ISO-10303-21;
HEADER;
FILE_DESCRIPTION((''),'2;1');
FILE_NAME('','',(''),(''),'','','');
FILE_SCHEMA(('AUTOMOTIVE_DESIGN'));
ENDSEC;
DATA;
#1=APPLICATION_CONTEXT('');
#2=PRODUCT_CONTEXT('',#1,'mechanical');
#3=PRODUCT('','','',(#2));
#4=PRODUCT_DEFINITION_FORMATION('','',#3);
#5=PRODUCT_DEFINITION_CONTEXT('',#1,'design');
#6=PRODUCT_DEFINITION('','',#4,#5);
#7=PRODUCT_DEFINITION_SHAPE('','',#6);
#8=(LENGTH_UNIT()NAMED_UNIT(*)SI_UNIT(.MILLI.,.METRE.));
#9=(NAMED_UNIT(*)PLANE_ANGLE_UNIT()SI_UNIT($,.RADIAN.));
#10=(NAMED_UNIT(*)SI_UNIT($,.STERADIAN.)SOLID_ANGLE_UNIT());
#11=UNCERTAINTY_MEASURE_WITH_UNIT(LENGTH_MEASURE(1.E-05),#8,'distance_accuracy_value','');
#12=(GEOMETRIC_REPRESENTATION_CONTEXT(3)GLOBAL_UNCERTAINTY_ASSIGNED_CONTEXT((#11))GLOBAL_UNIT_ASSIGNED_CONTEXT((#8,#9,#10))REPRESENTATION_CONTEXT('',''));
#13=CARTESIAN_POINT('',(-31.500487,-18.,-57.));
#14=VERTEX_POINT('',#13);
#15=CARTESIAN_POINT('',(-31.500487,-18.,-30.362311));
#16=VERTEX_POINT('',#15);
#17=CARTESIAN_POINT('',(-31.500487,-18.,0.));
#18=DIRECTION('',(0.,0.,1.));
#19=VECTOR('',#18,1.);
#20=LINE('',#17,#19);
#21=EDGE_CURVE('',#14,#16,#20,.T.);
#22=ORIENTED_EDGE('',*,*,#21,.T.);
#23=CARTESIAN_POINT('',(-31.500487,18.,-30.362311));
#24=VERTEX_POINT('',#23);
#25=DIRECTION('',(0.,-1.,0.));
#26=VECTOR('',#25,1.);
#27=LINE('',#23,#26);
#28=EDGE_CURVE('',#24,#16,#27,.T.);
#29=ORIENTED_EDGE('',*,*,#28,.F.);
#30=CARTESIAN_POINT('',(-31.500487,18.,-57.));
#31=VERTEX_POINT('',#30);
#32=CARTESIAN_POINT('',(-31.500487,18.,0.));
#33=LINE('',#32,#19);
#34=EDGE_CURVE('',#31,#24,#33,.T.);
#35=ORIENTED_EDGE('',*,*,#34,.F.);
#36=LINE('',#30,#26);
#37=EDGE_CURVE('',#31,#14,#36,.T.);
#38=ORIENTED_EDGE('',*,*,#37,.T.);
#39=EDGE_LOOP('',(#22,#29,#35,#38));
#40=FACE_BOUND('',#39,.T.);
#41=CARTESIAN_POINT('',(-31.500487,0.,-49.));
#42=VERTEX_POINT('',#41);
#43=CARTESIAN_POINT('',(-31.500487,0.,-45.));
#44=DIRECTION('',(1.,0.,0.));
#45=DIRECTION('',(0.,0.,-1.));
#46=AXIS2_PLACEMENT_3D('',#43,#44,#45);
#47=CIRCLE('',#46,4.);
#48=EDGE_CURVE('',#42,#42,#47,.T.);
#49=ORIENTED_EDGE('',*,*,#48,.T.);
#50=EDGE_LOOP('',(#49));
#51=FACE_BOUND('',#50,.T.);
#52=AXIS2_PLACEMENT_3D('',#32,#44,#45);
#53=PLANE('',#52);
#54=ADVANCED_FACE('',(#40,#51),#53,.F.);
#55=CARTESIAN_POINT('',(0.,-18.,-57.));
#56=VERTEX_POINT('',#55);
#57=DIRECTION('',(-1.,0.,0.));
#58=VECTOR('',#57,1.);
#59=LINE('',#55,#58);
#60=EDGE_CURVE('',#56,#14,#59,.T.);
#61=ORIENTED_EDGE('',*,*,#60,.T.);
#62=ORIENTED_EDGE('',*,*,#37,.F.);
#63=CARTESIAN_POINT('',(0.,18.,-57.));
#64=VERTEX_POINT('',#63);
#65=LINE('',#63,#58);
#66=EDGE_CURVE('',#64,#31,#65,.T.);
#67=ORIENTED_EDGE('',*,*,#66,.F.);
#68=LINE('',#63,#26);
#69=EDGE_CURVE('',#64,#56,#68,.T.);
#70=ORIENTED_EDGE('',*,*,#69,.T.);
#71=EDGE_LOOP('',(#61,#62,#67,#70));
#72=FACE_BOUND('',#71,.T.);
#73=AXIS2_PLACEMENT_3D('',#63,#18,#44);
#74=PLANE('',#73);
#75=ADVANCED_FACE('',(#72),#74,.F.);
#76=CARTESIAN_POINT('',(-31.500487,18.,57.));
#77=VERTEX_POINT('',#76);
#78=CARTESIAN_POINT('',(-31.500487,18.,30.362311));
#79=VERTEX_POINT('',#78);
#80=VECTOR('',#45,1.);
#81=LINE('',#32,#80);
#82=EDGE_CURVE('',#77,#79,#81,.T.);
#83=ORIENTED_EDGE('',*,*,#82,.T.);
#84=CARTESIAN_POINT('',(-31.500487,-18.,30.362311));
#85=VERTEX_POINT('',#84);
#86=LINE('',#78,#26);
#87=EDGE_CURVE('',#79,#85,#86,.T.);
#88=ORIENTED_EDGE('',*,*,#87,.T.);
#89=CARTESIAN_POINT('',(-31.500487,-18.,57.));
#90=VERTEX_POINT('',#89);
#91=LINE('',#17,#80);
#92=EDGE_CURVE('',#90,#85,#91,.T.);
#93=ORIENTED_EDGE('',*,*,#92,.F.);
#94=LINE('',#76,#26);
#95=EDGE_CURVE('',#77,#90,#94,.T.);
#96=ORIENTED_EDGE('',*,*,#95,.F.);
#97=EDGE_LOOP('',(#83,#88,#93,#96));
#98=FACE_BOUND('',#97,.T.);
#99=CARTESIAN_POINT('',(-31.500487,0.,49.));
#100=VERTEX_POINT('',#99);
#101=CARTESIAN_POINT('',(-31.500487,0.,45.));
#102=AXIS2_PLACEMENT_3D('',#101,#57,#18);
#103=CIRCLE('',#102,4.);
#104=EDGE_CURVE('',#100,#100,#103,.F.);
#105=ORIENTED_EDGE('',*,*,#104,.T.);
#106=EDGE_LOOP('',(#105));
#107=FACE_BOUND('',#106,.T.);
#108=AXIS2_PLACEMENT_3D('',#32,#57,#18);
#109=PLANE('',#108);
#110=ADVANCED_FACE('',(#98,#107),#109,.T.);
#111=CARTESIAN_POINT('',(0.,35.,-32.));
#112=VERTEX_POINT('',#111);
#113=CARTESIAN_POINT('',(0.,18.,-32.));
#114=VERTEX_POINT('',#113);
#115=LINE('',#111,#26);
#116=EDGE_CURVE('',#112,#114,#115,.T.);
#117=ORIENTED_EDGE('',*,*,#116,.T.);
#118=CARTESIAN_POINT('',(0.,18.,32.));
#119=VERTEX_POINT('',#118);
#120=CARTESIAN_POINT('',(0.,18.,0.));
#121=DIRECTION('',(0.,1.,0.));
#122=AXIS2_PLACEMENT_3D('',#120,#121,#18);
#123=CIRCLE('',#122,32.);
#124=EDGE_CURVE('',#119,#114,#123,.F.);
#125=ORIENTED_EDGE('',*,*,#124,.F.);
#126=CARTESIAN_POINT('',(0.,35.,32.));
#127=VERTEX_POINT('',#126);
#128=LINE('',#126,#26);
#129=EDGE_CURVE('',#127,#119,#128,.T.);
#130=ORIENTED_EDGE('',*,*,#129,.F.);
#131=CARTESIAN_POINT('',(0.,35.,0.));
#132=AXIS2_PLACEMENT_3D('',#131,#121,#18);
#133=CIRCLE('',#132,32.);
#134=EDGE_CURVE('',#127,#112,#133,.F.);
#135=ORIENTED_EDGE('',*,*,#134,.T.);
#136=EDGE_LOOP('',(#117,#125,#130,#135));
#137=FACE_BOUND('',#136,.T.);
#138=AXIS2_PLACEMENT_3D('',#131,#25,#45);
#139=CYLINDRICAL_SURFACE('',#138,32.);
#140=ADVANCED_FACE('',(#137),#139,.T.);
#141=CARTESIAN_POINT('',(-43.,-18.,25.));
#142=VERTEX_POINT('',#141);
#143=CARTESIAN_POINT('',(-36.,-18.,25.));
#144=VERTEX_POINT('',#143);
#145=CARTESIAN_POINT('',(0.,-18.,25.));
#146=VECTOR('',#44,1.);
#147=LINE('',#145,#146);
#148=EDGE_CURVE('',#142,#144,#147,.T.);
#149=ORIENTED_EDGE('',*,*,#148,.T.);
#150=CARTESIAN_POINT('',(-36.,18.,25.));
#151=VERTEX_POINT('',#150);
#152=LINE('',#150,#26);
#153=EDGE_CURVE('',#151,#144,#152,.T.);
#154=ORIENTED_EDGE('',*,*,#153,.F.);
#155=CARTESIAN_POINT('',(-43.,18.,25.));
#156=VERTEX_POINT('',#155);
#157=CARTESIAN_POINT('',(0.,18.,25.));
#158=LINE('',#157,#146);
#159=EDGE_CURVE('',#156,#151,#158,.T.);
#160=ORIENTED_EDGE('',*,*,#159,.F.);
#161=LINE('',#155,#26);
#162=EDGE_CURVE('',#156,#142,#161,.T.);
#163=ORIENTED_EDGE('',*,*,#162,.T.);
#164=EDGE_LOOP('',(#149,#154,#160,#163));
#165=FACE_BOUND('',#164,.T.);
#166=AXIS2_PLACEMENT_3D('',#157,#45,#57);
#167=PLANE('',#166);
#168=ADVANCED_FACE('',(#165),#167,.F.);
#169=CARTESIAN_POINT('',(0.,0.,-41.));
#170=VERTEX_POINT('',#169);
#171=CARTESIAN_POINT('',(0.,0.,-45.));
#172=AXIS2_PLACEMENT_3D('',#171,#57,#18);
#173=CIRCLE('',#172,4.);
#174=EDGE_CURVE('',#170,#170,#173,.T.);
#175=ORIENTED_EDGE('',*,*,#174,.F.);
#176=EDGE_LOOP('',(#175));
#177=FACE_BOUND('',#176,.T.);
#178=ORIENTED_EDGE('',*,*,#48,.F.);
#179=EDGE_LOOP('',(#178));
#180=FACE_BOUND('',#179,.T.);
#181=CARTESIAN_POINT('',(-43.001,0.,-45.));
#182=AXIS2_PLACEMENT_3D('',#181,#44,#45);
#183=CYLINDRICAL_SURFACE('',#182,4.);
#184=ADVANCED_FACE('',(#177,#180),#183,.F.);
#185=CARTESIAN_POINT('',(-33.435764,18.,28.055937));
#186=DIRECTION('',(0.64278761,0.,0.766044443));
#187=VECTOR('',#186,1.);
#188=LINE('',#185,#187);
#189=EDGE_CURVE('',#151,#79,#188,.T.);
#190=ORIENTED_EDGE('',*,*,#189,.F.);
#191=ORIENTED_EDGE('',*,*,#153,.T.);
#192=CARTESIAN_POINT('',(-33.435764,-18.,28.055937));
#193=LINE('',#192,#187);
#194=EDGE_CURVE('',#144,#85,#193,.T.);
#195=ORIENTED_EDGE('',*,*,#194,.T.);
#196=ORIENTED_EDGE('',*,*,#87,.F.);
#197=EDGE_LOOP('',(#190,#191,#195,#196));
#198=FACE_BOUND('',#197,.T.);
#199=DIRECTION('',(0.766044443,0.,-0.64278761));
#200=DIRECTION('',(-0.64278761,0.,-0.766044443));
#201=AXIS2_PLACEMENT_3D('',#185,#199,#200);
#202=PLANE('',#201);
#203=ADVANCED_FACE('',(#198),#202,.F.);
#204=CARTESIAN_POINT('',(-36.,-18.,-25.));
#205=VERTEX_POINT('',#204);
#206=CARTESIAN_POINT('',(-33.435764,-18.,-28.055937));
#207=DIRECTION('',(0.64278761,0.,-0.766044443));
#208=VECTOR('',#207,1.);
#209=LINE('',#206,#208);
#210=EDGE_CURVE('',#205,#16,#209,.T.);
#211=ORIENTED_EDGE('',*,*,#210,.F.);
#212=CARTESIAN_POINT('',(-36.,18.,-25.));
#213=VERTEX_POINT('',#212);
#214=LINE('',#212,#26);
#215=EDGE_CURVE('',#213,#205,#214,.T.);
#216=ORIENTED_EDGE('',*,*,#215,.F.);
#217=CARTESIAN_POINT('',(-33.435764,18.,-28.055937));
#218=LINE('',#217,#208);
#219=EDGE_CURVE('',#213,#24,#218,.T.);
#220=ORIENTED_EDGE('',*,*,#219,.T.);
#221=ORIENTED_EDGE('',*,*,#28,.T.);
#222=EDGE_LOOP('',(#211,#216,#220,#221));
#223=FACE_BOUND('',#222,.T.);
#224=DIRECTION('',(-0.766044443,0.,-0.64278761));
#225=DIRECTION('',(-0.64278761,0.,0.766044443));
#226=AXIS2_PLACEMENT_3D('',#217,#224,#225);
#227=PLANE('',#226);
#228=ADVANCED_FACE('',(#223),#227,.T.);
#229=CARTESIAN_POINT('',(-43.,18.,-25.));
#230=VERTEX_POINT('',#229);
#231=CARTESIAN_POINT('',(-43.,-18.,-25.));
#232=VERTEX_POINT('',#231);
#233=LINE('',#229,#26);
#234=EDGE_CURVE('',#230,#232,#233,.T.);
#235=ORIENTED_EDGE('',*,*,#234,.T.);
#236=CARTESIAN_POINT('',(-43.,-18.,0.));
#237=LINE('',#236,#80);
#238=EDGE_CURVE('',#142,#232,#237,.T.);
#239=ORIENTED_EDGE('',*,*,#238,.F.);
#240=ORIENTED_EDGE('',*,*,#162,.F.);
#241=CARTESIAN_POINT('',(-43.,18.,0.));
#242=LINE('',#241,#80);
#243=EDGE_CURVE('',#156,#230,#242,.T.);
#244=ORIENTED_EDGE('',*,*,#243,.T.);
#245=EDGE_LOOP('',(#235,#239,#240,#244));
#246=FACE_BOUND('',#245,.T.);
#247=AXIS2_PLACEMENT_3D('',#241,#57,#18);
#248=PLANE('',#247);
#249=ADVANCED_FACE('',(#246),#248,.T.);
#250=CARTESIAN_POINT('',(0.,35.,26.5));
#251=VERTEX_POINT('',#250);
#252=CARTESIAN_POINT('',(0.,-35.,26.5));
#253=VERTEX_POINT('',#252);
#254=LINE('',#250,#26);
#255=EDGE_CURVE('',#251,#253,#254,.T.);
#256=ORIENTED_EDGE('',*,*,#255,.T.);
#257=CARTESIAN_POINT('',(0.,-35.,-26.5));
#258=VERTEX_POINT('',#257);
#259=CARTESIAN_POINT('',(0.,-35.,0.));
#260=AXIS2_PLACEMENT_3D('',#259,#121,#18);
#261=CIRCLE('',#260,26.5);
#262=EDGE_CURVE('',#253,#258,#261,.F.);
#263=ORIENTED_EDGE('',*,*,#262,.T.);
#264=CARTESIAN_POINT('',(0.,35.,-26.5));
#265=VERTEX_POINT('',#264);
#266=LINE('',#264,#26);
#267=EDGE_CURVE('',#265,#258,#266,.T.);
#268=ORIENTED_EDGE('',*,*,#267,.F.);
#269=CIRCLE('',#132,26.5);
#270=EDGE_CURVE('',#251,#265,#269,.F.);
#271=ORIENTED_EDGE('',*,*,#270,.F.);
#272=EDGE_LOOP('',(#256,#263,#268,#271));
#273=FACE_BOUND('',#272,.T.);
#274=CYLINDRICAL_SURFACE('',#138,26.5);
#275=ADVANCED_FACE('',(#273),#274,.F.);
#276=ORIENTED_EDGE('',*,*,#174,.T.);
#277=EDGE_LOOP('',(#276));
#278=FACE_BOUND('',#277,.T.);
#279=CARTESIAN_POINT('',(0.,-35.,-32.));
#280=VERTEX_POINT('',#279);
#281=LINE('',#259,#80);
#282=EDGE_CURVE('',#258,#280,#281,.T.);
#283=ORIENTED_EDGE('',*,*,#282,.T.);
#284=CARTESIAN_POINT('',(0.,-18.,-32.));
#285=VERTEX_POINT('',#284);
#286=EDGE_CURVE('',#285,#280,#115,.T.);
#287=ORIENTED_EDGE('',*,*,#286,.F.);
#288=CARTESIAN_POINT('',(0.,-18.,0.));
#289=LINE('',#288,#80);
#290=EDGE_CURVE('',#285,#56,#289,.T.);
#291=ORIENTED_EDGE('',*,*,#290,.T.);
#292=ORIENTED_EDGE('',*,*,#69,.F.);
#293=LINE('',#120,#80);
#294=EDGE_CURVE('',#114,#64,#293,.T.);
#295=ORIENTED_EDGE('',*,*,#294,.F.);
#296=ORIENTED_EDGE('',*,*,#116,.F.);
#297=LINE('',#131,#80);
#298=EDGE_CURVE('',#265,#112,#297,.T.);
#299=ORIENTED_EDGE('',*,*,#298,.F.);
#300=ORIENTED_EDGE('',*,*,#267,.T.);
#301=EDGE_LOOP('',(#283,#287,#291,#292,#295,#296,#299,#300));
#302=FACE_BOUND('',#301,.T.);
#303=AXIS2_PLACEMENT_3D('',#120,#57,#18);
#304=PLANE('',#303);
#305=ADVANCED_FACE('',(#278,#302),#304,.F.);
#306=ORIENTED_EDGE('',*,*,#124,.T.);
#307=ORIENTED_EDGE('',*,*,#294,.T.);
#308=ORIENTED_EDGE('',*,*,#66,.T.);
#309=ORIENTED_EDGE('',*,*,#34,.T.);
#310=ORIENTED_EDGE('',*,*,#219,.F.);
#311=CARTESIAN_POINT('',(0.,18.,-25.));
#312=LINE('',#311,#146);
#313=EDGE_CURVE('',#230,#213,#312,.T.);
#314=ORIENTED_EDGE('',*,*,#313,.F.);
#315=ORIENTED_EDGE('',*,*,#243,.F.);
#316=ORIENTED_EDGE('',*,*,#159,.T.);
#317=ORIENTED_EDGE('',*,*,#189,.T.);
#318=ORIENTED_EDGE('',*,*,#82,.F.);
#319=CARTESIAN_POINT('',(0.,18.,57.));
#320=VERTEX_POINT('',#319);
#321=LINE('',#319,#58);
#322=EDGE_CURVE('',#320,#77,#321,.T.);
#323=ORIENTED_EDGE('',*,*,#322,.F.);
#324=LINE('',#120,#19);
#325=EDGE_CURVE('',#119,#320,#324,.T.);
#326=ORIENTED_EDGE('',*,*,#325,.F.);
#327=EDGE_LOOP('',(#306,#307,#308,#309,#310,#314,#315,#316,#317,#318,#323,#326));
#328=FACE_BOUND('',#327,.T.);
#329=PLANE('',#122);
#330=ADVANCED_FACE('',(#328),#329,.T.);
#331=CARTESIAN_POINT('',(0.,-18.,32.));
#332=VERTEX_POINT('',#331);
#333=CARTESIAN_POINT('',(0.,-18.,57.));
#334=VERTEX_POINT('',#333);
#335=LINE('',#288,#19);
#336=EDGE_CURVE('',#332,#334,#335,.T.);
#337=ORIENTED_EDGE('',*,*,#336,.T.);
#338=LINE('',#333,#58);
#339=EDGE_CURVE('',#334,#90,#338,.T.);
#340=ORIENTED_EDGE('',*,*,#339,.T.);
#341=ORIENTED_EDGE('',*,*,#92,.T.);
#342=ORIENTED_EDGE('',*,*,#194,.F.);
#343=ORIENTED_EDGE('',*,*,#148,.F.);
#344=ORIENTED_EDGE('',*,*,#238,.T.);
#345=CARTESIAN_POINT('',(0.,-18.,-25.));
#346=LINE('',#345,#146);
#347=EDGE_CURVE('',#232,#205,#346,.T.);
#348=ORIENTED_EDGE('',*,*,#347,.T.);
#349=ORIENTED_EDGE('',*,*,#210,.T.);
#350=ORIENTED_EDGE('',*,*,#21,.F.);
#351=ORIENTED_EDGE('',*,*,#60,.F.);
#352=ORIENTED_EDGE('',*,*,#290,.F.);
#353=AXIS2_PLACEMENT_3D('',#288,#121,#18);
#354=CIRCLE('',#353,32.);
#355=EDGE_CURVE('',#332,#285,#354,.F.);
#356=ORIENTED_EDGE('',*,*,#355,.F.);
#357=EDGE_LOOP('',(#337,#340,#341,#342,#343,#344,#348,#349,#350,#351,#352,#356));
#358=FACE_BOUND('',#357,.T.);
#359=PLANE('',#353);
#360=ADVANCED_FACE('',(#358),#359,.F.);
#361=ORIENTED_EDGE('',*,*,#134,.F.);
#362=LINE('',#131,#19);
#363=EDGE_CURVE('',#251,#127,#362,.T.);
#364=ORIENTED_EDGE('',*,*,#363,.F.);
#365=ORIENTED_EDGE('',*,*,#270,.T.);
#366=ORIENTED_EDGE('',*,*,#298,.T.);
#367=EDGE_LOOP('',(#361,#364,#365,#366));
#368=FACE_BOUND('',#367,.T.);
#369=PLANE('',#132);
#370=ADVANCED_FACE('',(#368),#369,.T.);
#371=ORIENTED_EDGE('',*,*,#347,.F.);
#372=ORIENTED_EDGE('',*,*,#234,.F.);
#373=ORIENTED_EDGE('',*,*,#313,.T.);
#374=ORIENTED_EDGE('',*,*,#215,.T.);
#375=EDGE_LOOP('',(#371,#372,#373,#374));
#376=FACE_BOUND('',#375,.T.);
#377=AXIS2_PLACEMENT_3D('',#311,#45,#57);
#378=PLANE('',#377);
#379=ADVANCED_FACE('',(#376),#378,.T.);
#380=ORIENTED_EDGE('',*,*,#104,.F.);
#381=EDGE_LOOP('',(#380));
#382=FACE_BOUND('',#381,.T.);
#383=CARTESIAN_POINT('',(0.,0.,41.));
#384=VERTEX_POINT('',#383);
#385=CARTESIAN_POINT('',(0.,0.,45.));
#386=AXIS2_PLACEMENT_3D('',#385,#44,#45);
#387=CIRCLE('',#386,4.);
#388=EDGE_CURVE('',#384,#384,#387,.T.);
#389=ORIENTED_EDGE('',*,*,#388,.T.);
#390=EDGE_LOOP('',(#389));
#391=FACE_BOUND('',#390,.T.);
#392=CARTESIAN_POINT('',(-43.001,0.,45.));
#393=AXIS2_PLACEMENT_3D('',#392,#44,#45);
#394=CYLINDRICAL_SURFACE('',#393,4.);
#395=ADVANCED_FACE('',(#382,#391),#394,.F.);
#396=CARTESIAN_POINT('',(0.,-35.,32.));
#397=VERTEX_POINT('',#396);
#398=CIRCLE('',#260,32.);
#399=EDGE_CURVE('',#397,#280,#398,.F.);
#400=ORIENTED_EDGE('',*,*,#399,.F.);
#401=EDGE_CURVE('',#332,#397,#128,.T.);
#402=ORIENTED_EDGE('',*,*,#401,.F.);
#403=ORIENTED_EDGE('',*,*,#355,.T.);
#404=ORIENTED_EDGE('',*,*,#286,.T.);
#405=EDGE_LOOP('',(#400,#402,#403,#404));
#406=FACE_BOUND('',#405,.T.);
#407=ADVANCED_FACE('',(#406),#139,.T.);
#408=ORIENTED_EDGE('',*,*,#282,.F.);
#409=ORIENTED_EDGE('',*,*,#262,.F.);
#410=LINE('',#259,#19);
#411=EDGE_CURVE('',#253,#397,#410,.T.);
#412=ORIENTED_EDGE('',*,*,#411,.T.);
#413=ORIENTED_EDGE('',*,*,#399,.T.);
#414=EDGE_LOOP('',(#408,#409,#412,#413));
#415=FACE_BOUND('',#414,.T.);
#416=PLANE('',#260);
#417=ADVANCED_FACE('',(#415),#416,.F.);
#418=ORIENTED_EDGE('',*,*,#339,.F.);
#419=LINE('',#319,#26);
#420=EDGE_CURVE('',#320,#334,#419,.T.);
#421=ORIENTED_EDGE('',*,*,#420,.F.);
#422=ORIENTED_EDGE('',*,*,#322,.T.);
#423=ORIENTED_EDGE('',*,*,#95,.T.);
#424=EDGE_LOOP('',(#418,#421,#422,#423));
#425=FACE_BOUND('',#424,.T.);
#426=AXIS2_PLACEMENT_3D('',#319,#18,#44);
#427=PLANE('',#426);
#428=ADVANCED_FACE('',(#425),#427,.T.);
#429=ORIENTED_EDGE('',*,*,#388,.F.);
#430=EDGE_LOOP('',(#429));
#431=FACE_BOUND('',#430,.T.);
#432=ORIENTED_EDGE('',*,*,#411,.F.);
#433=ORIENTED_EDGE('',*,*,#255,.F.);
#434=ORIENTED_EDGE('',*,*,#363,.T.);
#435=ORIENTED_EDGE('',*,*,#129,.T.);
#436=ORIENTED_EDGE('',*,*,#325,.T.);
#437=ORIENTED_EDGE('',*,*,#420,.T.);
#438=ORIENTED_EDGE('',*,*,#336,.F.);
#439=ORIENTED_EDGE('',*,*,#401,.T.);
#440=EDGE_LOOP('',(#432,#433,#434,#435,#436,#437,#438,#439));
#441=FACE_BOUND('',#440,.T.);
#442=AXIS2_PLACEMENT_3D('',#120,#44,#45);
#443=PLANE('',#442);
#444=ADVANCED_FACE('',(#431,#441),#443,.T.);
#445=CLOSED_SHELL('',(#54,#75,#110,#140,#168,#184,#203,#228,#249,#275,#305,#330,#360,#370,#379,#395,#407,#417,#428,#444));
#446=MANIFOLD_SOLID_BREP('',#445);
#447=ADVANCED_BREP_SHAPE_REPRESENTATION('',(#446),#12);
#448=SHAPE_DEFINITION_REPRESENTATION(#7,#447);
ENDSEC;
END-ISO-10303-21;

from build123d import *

# Parameters (mm, degrees)
BOSS_EXTRUDE1_DEPTH = 18
BOSS_EXTRUDE2_DEPTH = 35
CUT_EXTRUDE1_REACH  = 81.517
SKETCH2_R           = 4


with BuildPart() as part:
    # Sketch1 → Boss-Extrude1 (new, symmetric)
    with BuildSketch(Plane(origin=(0, 0, 0), x_dir=(1, 0, 0), z_dir=(0, 1, 0))):
        with BuildLine():
            ThreePointArc((0, -32), (-32, 0), (0, 32))
            Line((0, 32), (0, 57))
            Line((0, 57), (-31.500486732, 57))
            Line((-31.500486732, 57), (-31.500486732, 30.362311102))
            Line((-31.500486732, 30.362311102), (-36, 25))
            Line((-36, 25), (-43, 25))
            Line((-43, 25), (-43, -25))
            Line((-43, -25), (-36, -25))
            Line((-36, -25), (-31.500486732, -30.362311102))
            Line((-31.500486732, -30.362311102), (-31.500486732, -57))
            Line((-31.500486732, -57), (0, -57))
            Line((0, -57), (0, -32))
        make_face()
    extrude(amount=BOSS_EXTRUDE1_DEPTH, both=True)

    # Sketch1<3> → Boss-Extrude2 (add, symmetric)
    with BuildSketch(Plane(origin=(0, 0, 0), x_dir=(1, 0, 0), z_dir=(0, 1, 0))):
        with BuildLine():
            ThreePointArc((0, -26.5), (-26.5, 0), (0, 26.5))
            Line((0, 26.5), (0, 32))
            ThreePointArc((0, 32), (-32, 0), (0, -32))
            Line((0, -32), (0, -26.5))
        make_face()
    extrude(amount=BOSS_EXTRUDE2_DEPTH, both=True)

    # Sketch2 → Cut-Extrude1 (cut, up to next)
    with BuildSketch(Plane(origin=(0, 0, 0), x_dir=(0, 0, -1), z_dir=(1, 0, 0)), mode=Mode.PRIVATE) as cut_extrude1_sk1:
        with Locations((-45, 0)):
            Circle(SKETCH2_R)
    cut_extrude1_tool1 = extrude(cut_extrude1_sk1.sketch, amount=-CUT_EXTRUDE1_REACH, mode=Mode.PRIVATE) & part.part
    cut_extrude1 = cut_extrude1_tool1.solids().sort_by_distance((0, 0, 45))[0]
    add(cut_extrude1, mode=Mode.SUBTRACT)

    # Mirror1: Cut-Extrude1 across plane
    add(cut_extrude1.mirror(Plane.XY), mode=Mode.SUBTRACT)


solid = part.part
